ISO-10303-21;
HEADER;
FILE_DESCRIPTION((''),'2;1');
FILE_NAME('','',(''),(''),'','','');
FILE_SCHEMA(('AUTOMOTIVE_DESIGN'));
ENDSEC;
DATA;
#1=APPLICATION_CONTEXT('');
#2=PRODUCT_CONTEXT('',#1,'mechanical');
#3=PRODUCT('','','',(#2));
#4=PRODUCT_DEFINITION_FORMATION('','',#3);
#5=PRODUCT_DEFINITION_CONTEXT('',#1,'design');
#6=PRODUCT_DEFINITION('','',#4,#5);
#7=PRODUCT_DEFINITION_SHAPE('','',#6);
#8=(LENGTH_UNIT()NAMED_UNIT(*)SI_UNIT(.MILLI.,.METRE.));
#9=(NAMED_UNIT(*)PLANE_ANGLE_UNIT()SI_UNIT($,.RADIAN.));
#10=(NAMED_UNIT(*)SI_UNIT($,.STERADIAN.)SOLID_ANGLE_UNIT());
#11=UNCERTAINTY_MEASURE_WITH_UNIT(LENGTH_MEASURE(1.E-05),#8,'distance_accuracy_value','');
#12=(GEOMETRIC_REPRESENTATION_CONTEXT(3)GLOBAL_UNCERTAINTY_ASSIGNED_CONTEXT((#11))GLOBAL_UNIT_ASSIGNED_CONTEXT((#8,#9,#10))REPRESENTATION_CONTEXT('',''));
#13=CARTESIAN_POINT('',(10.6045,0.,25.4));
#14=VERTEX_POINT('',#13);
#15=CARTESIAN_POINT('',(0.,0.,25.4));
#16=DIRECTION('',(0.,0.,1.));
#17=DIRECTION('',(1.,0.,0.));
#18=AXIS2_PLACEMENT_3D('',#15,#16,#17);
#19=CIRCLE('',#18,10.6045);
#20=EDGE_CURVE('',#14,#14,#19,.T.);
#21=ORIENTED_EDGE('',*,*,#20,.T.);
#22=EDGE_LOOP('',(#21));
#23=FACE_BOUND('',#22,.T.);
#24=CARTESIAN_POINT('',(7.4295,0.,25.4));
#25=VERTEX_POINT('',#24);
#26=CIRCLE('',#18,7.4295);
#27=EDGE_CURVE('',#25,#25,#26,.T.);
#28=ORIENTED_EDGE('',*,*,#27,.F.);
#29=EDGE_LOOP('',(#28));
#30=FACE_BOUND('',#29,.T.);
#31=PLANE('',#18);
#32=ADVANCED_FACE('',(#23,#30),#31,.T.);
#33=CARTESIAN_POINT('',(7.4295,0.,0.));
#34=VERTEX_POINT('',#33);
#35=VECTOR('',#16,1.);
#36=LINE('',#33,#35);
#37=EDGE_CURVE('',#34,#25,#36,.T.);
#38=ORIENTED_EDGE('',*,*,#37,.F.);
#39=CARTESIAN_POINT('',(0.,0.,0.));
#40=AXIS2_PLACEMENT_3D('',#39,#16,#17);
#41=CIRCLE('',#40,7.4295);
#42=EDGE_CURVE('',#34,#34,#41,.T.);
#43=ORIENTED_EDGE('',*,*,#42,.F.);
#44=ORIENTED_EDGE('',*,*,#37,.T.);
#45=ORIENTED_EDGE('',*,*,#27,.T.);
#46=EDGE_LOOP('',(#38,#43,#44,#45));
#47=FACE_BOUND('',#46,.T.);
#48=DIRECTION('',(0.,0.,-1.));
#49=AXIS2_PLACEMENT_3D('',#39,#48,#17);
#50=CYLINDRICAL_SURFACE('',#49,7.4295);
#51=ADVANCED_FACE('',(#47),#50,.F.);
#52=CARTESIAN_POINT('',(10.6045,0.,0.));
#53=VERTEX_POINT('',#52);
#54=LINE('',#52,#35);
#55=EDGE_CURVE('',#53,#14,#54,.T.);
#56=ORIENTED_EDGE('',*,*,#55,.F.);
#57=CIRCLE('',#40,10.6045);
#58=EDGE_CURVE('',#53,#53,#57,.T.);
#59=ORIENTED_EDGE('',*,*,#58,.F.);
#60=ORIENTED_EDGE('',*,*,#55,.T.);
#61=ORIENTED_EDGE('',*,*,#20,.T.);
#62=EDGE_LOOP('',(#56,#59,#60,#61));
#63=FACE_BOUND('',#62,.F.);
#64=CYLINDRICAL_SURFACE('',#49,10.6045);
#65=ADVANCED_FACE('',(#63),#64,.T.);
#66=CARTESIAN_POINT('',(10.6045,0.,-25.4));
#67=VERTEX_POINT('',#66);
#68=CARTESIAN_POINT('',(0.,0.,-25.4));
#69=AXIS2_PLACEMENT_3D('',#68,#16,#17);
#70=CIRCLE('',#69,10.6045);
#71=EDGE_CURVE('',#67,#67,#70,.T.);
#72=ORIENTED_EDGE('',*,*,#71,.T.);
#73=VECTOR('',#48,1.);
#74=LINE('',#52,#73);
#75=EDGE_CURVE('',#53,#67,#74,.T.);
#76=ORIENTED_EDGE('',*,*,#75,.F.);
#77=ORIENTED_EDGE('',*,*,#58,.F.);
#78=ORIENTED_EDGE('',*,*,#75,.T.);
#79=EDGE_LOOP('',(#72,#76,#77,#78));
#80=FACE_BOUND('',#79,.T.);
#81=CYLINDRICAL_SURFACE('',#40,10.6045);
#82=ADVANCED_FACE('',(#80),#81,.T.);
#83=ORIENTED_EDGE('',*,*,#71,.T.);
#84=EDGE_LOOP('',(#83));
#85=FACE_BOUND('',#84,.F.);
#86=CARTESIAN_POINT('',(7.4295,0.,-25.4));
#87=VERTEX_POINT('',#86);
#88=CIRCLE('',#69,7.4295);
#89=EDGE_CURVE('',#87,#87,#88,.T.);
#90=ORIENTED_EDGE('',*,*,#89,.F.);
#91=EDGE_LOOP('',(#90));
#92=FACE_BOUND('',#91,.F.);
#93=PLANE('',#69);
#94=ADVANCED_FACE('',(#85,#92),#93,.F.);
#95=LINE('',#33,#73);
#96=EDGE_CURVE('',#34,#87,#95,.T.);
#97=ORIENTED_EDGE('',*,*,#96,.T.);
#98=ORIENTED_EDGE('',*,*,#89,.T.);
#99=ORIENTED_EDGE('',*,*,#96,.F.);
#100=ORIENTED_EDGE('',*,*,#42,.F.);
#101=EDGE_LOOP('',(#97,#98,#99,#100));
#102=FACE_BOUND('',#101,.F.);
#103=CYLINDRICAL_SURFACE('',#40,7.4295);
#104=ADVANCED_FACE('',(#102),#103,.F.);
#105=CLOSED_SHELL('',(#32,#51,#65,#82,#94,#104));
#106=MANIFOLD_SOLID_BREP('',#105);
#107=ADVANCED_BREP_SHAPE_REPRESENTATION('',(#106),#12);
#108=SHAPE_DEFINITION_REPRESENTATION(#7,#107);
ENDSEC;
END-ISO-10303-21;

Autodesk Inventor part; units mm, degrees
ref_plane "YZ Plane" through (0, 0, 0) normal (1, 0, 0) x (0, 1, 0)
ref_plane "XZ Plane" through (0, 0, 0) normal (0, 1, 0) x (-1, 0, 0)
ref_plane "XY Plane" through (0, 0, 0) normal (0, 0, 1) x (1, 0, 0)
sketch "Sketch1" plane through (0, 0, 0) normal (0, 0, 1) x (1, 0, 0)
  circle A0 centre (0, 0) radius 7.4295
  circle A1 centre (0, 0) radius 10.6045
  dimension "d0" = 14.859
  dimension "d1" = 3.175
extrude "Extrusion1" add sketch "Sketch1" along normal mid plane 50.8
properties part number "GP5-030" material "ABS Plastic"
